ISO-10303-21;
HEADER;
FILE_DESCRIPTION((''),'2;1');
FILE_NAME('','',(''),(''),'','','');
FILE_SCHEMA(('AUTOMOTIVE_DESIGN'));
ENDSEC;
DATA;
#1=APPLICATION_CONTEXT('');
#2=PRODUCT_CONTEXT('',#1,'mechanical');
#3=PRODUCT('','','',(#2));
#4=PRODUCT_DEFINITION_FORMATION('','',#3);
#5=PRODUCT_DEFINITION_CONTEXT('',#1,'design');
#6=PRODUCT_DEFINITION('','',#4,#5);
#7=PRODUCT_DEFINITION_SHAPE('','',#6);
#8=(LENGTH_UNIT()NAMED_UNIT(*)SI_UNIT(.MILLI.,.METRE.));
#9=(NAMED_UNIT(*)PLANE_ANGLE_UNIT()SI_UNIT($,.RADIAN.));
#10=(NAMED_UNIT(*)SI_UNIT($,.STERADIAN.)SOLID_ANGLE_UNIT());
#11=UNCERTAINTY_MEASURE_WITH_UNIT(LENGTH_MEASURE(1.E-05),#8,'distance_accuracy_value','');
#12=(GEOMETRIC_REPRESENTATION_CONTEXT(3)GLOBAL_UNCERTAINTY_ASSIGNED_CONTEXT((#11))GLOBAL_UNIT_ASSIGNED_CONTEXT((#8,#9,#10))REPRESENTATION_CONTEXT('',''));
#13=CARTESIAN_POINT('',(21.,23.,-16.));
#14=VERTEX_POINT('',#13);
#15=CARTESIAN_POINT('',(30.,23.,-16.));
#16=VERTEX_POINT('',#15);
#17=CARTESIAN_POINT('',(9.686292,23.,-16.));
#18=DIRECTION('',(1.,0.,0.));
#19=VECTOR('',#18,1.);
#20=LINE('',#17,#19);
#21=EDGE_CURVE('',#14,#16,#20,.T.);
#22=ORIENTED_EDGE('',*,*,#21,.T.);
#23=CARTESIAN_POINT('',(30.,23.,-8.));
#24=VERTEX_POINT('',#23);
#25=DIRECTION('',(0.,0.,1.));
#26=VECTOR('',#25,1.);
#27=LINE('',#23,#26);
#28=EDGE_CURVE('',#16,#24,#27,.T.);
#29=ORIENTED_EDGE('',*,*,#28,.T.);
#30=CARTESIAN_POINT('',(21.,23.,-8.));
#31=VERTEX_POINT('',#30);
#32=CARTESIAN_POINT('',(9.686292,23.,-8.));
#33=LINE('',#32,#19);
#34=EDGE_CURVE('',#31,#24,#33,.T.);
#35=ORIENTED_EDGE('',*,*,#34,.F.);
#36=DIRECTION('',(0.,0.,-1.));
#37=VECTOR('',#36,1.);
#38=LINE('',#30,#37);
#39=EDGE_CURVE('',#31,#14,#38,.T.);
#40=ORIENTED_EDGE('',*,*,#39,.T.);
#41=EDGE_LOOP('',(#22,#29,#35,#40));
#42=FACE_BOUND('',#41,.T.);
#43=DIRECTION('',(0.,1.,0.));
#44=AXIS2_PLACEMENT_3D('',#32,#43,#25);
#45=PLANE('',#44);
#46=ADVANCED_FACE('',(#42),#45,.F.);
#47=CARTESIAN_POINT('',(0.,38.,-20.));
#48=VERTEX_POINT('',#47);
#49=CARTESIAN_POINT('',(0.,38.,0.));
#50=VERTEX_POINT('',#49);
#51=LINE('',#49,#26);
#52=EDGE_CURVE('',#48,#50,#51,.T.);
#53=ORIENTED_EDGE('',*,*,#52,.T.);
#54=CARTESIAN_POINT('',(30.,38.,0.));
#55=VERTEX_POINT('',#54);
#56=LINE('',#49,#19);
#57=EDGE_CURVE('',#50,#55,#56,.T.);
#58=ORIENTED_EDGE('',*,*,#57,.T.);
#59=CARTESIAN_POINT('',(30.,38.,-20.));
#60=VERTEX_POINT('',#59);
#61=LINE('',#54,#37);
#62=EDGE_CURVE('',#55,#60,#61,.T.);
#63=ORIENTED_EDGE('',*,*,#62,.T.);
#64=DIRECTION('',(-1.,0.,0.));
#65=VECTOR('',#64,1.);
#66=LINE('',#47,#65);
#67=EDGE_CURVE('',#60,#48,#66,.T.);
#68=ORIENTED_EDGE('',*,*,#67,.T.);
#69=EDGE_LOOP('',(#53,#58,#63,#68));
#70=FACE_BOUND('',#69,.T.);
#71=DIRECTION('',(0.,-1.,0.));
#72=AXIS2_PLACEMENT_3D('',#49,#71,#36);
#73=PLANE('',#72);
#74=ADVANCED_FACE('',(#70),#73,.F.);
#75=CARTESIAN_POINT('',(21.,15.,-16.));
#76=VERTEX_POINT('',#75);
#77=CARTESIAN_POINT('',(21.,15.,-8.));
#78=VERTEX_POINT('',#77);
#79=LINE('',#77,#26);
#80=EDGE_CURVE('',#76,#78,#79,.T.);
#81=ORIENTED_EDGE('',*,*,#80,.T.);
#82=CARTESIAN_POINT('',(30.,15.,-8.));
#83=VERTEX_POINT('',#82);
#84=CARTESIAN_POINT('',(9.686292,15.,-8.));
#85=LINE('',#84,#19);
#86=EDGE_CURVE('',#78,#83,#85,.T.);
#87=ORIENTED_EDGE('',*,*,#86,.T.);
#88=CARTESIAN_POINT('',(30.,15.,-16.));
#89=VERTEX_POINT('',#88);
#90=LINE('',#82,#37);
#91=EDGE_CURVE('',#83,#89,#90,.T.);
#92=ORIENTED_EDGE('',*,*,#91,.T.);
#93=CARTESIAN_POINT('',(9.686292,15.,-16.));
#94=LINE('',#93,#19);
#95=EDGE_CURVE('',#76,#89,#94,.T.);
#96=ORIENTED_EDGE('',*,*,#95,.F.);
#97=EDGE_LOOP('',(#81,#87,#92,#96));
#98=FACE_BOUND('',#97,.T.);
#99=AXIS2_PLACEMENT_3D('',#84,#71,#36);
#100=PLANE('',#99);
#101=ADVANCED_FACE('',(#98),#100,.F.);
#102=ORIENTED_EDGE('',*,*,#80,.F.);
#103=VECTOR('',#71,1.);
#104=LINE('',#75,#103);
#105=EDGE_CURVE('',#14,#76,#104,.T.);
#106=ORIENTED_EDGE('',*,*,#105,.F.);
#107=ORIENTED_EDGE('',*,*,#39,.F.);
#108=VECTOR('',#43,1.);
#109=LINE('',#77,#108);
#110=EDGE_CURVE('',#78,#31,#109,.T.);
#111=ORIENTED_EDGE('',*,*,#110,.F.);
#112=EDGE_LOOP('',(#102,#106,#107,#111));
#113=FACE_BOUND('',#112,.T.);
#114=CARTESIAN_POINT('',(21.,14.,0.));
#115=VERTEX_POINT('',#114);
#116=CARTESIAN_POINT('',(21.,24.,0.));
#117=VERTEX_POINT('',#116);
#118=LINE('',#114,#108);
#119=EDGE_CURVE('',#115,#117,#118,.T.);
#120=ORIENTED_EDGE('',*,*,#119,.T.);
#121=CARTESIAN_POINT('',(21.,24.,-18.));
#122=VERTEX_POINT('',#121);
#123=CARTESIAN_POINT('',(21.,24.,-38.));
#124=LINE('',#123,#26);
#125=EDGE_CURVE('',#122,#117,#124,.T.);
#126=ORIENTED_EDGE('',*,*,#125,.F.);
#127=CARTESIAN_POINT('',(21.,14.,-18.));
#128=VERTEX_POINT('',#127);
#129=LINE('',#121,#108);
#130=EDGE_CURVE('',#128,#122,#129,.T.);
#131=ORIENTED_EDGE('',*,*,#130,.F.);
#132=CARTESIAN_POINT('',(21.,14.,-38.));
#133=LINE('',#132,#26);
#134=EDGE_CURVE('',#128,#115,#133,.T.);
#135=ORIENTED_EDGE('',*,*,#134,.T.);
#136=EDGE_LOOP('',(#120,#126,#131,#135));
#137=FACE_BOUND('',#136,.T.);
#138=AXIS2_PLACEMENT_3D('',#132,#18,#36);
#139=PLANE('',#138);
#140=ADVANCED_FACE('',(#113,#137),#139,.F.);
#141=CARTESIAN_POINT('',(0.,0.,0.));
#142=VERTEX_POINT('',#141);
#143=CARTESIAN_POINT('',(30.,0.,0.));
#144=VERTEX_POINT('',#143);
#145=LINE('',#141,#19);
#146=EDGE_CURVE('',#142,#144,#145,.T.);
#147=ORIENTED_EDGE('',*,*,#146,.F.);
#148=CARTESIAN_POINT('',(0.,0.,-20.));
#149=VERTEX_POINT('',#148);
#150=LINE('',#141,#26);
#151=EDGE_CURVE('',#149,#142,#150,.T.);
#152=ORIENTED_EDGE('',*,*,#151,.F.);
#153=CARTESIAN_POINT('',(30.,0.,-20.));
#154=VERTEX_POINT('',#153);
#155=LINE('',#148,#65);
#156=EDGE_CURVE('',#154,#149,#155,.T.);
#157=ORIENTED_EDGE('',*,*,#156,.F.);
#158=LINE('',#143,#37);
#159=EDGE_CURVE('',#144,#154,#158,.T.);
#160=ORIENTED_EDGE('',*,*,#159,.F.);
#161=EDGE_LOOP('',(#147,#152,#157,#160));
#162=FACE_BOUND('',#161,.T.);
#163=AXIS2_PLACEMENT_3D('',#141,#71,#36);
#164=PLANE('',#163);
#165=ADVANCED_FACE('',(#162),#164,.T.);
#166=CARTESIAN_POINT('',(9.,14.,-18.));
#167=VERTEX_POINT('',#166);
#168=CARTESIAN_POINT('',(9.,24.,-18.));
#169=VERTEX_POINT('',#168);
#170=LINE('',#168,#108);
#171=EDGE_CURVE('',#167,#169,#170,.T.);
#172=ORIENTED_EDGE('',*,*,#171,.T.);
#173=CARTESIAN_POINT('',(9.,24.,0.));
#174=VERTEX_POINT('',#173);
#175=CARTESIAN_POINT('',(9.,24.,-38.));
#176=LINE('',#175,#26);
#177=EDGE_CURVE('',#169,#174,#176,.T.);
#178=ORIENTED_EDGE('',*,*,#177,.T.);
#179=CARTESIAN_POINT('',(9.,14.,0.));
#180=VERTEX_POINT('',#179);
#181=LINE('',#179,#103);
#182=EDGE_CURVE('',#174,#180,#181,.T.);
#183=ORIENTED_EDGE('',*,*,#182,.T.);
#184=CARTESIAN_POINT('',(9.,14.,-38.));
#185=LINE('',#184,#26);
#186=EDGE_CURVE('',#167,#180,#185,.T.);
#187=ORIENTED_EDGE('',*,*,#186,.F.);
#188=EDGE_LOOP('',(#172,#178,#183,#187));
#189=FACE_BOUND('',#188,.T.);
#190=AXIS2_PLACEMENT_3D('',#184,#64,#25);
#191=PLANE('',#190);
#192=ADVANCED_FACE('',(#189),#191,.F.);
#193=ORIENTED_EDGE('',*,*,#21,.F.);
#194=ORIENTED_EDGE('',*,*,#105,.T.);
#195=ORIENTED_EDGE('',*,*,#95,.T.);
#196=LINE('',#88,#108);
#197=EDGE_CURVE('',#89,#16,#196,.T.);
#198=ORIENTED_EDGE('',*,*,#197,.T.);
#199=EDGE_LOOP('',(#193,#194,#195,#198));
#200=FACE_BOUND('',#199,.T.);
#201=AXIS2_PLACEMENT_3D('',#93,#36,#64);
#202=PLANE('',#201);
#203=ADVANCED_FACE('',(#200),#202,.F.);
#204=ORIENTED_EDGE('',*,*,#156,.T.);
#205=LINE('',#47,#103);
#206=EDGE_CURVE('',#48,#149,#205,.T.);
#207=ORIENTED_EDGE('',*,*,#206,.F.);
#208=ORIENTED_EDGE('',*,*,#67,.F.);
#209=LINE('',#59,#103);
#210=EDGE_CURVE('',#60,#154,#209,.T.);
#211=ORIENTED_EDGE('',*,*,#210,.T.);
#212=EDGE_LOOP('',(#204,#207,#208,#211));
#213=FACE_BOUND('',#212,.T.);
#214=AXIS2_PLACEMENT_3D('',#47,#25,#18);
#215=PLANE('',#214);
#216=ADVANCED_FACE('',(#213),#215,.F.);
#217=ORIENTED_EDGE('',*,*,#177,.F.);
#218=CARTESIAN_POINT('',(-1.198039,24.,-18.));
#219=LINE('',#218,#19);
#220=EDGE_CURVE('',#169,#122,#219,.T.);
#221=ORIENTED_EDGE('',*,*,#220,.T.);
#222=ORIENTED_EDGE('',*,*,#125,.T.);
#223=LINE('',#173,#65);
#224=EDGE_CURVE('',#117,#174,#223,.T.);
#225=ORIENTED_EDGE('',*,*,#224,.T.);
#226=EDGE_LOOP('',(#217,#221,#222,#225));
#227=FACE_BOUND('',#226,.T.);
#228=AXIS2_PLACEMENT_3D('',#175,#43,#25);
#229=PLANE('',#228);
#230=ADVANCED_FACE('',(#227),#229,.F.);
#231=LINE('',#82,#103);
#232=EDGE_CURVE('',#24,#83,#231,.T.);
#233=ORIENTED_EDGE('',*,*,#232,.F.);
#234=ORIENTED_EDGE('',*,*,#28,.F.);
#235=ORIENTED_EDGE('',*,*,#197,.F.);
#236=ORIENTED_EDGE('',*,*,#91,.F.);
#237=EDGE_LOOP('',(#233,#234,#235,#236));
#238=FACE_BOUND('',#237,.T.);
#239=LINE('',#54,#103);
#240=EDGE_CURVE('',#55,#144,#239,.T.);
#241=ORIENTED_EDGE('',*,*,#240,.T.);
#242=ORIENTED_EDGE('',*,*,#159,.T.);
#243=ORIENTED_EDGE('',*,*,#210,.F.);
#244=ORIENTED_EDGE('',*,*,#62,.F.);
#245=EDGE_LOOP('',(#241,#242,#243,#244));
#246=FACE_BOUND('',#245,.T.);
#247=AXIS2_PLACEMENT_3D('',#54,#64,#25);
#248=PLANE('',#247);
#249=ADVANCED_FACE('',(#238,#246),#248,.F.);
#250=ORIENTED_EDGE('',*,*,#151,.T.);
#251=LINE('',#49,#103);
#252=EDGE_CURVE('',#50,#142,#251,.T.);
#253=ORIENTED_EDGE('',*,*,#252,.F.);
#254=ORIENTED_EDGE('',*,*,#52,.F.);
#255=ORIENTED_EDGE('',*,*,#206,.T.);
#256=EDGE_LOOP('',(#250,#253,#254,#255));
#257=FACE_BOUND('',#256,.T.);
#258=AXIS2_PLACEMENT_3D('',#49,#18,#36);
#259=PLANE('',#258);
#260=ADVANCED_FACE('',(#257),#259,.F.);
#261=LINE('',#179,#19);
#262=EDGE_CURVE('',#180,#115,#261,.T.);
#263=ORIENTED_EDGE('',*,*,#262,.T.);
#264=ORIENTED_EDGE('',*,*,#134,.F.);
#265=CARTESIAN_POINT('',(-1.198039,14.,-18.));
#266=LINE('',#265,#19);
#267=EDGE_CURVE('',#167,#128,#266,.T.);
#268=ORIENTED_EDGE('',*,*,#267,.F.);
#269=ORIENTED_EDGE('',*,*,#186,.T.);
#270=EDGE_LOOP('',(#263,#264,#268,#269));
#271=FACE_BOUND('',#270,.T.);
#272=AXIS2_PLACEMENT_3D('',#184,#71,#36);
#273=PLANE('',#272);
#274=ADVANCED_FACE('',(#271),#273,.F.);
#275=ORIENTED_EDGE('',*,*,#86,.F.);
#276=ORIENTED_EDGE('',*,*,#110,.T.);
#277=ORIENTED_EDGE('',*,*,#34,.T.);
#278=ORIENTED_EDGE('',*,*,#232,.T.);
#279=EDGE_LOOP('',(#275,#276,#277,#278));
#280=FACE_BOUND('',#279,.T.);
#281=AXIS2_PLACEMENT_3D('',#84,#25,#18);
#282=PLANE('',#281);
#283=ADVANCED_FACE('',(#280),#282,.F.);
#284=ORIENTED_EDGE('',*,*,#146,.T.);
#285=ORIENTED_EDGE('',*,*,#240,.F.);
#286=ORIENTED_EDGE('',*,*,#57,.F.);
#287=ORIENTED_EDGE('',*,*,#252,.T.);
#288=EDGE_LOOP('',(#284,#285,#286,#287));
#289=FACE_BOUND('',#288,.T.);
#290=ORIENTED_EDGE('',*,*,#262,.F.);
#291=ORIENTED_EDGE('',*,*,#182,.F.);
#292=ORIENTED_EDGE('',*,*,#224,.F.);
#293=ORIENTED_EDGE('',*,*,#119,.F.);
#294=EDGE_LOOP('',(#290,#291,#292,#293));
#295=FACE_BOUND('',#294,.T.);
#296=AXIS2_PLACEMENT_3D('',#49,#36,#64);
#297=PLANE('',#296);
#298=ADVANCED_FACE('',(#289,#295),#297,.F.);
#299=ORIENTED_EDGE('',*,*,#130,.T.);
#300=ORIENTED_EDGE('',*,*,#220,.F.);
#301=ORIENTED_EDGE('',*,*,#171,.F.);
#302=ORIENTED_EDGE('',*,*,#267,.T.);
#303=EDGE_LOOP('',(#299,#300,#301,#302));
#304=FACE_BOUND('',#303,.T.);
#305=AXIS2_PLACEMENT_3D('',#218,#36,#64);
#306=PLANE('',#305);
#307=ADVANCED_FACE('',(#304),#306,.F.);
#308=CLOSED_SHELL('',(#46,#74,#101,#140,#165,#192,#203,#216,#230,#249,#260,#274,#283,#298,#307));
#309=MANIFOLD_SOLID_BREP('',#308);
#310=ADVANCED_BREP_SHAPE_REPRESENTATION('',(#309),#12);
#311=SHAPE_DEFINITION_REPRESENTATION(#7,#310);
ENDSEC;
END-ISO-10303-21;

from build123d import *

# Parameters (mm, degrees)
SKETCH1_W           = 30
SKETCH1_H           = 20
BOSS_EXTRUDE1_DEPTH = 38
SKETCH2_W           = 12
SKETCH2_H           = 10
CUT_EXTRUDE1_DEPTH  = 38
SKETCH3_W           = 8
SKETCH3_H           = 8
CUT_EXTRUDE2_DEPTH  = 9
SKETCH4_W           = 2
SKETCH4_H           = 10
BOSS_EXTRUDE2_DEPTH = 12


with BuildPart() as part:
    # Sketch1 → Boss-Extrude1 (new body)
    with BuildSketch(Plane(origin=(0, 0, 0), x_dir=(1, 0, 0), z_dir=(0, 1, 0))):
        with Locations((15, 10)):
            Rectangle(SKETCH1_W, SKETCH1_H)
    extrude(amount=BOSS_EXTRUDE1_DEPTH)

    # Sketch2 → Cut-Extrude1 (cut)
    with BuildSketch(Plane.XY):
        with Locations((15, 19)):
            Rectangle(SKETCH2_W, SKETCH2_H)
    extrude(amount=-CUT_EXTRUDE1_DEPTH, mode=Mode.SUBTRACT)

    # Sketch3 → Cut-Extrude2 (cut)
    with BuildSketch(Plane(origin=(30, 0, 0), x_dir=(0, 0, -1), z_dir=(1, 0, 0))):
        with Locations((12, 19)):
            Rectangle(SKETCH3_W, SKETCH3_H)
    extrude(amount=-CUT_EXTRUDE2_DEPTH, mode=Mode.SUBTRACT)

    # Sketch4 → Boss-Extrude2 (add)
    with BuildSketch(Plane.ZY.offset(-21)):
        with Locations((-19, 19)):
            Rectangle(SKETCH4_W, SKETCH4_H)
    extrude(amount=BOSS_EXTRUDE2_DEPTH)


solid = part.part
